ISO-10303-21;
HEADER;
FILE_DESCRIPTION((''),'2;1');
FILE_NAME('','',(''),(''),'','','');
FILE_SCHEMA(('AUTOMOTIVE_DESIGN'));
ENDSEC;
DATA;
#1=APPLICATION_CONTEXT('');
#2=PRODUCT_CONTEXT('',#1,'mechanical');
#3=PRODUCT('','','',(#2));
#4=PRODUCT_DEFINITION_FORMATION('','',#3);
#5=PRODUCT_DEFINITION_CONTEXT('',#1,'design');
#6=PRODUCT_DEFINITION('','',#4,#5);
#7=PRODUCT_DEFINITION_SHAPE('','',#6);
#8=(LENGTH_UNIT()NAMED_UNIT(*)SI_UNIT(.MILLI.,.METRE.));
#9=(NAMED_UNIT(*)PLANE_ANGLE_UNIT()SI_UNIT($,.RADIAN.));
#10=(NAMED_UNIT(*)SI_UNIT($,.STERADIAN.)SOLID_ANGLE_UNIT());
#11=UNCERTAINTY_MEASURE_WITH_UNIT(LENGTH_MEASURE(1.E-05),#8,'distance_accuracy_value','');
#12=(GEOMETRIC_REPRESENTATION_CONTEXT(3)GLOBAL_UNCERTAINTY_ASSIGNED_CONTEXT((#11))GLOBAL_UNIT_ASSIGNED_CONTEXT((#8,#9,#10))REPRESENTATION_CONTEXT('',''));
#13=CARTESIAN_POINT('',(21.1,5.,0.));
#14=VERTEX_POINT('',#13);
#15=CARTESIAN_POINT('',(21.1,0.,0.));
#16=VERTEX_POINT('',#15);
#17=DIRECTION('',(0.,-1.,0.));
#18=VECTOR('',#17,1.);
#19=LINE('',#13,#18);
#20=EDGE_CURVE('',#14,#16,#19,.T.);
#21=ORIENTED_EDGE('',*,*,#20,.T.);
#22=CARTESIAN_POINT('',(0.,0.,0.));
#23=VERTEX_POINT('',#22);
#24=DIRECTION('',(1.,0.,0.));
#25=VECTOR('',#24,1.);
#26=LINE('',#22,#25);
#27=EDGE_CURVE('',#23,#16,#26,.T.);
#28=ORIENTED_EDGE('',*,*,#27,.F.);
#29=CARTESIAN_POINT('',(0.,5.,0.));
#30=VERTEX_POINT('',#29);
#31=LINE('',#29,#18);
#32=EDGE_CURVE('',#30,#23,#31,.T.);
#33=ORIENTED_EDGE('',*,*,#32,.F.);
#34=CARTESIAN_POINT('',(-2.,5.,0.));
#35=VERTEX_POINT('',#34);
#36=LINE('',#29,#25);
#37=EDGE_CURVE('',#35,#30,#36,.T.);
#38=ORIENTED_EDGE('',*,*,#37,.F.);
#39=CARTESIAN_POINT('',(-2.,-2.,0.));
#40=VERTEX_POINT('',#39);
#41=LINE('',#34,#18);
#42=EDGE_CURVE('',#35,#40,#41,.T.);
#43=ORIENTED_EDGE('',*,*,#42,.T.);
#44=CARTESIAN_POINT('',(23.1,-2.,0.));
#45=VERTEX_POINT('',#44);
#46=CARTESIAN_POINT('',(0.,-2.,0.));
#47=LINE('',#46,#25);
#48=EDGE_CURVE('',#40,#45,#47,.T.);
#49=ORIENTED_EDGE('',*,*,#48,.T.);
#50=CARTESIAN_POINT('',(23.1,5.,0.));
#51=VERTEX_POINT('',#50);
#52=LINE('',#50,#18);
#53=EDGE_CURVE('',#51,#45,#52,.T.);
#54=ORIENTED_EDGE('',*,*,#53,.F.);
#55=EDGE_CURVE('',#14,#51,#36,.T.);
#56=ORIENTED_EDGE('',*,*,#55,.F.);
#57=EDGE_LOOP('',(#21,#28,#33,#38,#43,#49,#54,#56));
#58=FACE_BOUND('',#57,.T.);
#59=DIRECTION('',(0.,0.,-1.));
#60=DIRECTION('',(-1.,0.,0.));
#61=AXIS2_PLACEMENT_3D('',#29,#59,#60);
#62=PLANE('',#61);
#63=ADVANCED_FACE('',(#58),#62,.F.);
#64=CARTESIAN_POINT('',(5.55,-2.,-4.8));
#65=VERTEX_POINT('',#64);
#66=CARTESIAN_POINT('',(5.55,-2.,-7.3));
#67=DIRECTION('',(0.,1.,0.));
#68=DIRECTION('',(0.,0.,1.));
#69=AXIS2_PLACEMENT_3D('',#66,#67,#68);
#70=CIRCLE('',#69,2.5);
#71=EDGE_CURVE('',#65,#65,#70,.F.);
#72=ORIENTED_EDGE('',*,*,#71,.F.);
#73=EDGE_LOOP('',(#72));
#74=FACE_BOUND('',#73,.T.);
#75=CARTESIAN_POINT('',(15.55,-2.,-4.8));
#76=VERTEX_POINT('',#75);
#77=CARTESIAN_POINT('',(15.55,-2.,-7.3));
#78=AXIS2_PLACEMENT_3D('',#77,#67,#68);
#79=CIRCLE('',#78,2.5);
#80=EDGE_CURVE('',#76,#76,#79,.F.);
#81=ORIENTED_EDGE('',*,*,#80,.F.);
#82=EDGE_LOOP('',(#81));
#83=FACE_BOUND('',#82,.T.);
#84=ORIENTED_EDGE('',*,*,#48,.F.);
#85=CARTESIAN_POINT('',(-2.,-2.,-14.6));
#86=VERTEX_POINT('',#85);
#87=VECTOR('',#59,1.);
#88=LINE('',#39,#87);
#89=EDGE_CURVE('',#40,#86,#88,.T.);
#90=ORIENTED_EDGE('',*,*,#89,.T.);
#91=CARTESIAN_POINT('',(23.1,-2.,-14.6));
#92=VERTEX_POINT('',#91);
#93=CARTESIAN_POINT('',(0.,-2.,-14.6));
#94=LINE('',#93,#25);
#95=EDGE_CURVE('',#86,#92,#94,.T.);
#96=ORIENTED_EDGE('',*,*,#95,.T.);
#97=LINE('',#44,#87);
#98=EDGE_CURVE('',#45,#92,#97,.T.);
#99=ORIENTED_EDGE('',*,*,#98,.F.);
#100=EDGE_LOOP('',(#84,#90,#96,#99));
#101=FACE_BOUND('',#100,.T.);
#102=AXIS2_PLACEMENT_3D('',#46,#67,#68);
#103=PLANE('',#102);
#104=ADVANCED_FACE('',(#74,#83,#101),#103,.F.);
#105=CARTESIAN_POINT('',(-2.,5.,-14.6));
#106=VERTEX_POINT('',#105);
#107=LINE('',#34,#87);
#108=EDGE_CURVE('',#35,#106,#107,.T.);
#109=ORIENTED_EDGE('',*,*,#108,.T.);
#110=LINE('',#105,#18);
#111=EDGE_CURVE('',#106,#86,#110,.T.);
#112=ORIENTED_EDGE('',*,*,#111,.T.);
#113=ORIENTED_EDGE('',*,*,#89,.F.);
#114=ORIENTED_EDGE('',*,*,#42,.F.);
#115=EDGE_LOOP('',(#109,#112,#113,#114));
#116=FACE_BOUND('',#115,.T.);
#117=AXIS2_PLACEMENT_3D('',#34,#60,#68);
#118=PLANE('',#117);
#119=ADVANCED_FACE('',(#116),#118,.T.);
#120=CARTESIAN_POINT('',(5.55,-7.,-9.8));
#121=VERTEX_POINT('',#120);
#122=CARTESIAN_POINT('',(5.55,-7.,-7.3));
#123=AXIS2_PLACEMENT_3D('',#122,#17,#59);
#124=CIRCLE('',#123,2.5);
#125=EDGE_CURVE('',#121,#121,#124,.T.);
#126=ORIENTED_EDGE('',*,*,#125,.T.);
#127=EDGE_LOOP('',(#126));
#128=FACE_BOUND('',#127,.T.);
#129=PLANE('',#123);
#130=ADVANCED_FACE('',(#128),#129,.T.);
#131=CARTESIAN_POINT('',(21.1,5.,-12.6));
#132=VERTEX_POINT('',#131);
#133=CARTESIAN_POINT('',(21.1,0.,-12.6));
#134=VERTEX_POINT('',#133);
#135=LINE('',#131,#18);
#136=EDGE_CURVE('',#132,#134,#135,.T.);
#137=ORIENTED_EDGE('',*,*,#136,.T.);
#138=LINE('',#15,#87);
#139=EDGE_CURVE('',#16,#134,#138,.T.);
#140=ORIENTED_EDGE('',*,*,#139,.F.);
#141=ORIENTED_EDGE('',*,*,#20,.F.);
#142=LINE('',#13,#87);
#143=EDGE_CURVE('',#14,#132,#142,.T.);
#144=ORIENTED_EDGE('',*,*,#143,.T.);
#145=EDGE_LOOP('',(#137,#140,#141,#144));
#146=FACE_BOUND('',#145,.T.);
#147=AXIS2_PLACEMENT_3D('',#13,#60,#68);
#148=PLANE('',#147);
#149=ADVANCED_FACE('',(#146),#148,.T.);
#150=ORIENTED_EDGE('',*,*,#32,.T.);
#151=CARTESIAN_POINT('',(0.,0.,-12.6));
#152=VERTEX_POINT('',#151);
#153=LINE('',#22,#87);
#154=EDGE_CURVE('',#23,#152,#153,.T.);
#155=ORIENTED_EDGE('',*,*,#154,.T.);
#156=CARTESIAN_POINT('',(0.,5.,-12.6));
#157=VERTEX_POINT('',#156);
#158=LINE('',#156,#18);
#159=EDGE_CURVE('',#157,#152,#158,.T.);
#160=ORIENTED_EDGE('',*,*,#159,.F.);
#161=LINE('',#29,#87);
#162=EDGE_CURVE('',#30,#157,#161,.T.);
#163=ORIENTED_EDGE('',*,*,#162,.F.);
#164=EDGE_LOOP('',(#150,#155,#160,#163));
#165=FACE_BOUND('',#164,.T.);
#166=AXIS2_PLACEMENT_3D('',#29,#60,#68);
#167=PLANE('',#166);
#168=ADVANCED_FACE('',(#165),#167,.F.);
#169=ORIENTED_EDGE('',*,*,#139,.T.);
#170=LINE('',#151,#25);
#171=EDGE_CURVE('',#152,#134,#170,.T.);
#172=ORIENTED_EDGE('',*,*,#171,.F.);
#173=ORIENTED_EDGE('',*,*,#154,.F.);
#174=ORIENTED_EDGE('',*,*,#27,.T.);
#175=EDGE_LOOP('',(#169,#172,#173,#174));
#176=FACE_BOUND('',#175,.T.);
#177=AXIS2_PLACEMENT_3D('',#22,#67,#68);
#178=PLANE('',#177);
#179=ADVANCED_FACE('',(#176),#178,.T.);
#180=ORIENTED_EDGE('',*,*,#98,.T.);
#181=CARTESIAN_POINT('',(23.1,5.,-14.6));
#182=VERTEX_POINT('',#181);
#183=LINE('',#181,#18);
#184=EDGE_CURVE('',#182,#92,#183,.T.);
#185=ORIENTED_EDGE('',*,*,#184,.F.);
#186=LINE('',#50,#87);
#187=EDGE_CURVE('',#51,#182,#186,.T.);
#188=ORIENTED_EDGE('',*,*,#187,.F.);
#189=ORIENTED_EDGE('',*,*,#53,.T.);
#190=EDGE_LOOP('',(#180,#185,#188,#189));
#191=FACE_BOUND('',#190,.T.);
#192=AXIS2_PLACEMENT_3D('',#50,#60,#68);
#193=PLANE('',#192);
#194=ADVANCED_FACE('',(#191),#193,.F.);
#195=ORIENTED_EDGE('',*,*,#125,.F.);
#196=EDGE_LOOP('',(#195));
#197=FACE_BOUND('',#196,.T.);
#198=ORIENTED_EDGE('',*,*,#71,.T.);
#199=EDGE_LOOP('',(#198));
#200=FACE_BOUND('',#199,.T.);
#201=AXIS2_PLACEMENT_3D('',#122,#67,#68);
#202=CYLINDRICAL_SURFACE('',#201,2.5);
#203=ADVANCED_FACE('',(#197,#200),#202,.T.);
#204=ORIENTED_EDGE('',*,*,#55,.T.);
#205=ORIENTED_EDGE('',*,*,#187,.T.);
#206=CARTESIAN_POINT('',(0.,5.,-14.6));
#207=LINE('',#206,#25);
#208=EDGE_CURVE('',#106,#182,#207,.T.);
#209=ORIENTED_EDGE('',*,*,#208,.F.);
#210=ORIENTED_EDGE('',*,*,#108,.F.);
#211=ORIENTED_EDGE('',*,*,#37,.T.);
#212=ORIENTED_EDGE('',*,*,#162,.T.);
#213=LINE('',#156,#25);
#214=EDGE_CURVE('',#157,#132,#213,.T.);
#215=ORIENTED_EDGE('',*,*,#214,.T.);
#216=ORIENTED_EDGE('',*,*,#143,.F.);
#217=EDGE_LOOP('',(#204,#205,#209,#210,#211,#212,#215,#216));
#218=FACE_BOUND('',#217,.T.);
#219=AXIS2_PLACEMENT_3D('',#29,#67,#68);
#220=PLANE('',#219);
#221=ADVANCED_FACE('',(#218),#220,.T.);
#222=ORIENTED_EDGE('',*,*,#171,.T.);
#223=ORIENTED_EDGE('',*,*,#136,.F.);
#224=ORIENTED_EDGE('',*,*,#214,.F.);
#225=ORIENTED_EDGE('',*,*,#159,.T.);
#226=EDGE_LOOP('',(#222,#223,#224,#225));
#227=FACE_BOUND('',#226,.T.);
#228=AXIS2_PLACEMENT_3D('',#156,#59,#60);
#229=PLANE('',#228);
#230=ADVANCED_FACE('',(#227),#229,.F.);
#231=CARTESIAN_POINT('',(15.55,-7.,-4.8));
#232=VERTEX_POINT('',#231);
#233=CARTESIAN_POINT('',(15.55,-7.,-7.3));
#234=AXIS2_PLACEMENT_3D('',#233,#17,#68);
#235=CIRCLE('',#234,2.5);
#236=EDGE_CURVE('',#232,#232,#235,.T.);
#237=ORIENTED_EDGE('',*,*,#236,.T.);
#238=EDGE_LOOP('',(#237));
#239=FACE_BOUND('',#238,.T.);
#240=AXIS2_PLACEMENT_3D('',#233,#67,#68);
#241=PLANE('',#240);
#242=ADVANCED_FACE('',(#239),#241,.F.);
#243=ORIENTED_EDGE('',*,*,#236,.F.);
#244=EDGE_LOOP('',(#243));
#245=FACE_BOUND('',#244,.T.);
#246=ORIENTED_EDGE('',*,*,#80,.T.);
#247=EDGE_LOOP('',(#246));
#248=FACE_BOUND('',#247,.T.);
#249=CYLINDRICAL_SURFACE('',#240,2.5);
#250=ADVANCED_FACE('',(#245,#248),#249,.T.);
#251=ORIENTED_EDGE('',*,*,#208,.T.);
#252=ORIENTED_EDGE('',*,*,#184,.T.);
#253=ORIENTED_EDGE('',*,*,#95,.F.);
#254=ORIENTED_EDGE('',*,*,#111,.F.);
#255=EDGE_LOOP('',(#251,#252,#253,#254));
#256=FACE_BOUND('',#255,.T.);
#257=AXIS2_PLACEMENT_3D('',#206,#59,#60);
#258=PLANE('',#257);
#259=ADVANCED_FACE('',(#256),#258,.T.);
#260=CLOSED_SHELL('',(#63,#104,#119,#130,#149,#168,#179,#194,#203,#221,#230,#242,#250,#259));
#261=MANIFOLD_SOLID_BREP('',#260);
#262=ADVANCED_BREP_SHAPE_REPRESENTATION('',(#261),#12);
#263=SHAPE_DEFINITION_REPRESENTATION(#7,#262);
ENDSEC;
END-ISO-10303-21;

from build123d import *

# Parameters (mm, degrees)
BOSS_EXTRUDE1_DEPTH = 5
SKETCH1_3_W         = 25.1
SKETCH1_3_H         = 14.6
BOSS_EXTRUDE2_DEPTH = 2
SKETCH3_R           = 2.5
BOSS_EXTRUDE4_DEPTH = 5


with BuildPart() as part:
    # Sketch1 → Boss-Extrude1 (new body)
    with BuildSketch(Plane(origin=(0, 0, 0), x_dir=(1, 0, 0), z_dir=(0, 1, 0))):
        Polygon((23.1, 14.6), (-2, 14.6), (-2, 0), (0, 0), (0, 12.6), (21.1, 12.6), (21.1, 0), (23.1, 0), align=None)
    extrude(amount=BOSS_EXTRUDE1_DEPTH)

    # Sketch1<3> → Boss-Extrude2 (add)
    with BuildSketch(Plane(origin=(0, 0, 0), x_dir=(1, 0, 0), z_dir=(0, 1, 0))):
        with Locations((10.55, 7.3)):
            Rectangle(SKETCH1_3_W, SKETCH1_3_H)
    extrude(amount=-BOSS_EXTRUDE2_DEPTH)

    # Sketch3 → Boss-Extrude4 (add)
    with BuildSketch(Plane.XZ.offset(2)):
        with Locations((5.55, -7.3)):
            Circle(SKETCH3_R)
        with Locations((15.55, -7.3)):
            Circle(SKETCH3_R)
    extrude(amount=BOSS_EXTRUDE4_DEPTH)


solid = part.part
